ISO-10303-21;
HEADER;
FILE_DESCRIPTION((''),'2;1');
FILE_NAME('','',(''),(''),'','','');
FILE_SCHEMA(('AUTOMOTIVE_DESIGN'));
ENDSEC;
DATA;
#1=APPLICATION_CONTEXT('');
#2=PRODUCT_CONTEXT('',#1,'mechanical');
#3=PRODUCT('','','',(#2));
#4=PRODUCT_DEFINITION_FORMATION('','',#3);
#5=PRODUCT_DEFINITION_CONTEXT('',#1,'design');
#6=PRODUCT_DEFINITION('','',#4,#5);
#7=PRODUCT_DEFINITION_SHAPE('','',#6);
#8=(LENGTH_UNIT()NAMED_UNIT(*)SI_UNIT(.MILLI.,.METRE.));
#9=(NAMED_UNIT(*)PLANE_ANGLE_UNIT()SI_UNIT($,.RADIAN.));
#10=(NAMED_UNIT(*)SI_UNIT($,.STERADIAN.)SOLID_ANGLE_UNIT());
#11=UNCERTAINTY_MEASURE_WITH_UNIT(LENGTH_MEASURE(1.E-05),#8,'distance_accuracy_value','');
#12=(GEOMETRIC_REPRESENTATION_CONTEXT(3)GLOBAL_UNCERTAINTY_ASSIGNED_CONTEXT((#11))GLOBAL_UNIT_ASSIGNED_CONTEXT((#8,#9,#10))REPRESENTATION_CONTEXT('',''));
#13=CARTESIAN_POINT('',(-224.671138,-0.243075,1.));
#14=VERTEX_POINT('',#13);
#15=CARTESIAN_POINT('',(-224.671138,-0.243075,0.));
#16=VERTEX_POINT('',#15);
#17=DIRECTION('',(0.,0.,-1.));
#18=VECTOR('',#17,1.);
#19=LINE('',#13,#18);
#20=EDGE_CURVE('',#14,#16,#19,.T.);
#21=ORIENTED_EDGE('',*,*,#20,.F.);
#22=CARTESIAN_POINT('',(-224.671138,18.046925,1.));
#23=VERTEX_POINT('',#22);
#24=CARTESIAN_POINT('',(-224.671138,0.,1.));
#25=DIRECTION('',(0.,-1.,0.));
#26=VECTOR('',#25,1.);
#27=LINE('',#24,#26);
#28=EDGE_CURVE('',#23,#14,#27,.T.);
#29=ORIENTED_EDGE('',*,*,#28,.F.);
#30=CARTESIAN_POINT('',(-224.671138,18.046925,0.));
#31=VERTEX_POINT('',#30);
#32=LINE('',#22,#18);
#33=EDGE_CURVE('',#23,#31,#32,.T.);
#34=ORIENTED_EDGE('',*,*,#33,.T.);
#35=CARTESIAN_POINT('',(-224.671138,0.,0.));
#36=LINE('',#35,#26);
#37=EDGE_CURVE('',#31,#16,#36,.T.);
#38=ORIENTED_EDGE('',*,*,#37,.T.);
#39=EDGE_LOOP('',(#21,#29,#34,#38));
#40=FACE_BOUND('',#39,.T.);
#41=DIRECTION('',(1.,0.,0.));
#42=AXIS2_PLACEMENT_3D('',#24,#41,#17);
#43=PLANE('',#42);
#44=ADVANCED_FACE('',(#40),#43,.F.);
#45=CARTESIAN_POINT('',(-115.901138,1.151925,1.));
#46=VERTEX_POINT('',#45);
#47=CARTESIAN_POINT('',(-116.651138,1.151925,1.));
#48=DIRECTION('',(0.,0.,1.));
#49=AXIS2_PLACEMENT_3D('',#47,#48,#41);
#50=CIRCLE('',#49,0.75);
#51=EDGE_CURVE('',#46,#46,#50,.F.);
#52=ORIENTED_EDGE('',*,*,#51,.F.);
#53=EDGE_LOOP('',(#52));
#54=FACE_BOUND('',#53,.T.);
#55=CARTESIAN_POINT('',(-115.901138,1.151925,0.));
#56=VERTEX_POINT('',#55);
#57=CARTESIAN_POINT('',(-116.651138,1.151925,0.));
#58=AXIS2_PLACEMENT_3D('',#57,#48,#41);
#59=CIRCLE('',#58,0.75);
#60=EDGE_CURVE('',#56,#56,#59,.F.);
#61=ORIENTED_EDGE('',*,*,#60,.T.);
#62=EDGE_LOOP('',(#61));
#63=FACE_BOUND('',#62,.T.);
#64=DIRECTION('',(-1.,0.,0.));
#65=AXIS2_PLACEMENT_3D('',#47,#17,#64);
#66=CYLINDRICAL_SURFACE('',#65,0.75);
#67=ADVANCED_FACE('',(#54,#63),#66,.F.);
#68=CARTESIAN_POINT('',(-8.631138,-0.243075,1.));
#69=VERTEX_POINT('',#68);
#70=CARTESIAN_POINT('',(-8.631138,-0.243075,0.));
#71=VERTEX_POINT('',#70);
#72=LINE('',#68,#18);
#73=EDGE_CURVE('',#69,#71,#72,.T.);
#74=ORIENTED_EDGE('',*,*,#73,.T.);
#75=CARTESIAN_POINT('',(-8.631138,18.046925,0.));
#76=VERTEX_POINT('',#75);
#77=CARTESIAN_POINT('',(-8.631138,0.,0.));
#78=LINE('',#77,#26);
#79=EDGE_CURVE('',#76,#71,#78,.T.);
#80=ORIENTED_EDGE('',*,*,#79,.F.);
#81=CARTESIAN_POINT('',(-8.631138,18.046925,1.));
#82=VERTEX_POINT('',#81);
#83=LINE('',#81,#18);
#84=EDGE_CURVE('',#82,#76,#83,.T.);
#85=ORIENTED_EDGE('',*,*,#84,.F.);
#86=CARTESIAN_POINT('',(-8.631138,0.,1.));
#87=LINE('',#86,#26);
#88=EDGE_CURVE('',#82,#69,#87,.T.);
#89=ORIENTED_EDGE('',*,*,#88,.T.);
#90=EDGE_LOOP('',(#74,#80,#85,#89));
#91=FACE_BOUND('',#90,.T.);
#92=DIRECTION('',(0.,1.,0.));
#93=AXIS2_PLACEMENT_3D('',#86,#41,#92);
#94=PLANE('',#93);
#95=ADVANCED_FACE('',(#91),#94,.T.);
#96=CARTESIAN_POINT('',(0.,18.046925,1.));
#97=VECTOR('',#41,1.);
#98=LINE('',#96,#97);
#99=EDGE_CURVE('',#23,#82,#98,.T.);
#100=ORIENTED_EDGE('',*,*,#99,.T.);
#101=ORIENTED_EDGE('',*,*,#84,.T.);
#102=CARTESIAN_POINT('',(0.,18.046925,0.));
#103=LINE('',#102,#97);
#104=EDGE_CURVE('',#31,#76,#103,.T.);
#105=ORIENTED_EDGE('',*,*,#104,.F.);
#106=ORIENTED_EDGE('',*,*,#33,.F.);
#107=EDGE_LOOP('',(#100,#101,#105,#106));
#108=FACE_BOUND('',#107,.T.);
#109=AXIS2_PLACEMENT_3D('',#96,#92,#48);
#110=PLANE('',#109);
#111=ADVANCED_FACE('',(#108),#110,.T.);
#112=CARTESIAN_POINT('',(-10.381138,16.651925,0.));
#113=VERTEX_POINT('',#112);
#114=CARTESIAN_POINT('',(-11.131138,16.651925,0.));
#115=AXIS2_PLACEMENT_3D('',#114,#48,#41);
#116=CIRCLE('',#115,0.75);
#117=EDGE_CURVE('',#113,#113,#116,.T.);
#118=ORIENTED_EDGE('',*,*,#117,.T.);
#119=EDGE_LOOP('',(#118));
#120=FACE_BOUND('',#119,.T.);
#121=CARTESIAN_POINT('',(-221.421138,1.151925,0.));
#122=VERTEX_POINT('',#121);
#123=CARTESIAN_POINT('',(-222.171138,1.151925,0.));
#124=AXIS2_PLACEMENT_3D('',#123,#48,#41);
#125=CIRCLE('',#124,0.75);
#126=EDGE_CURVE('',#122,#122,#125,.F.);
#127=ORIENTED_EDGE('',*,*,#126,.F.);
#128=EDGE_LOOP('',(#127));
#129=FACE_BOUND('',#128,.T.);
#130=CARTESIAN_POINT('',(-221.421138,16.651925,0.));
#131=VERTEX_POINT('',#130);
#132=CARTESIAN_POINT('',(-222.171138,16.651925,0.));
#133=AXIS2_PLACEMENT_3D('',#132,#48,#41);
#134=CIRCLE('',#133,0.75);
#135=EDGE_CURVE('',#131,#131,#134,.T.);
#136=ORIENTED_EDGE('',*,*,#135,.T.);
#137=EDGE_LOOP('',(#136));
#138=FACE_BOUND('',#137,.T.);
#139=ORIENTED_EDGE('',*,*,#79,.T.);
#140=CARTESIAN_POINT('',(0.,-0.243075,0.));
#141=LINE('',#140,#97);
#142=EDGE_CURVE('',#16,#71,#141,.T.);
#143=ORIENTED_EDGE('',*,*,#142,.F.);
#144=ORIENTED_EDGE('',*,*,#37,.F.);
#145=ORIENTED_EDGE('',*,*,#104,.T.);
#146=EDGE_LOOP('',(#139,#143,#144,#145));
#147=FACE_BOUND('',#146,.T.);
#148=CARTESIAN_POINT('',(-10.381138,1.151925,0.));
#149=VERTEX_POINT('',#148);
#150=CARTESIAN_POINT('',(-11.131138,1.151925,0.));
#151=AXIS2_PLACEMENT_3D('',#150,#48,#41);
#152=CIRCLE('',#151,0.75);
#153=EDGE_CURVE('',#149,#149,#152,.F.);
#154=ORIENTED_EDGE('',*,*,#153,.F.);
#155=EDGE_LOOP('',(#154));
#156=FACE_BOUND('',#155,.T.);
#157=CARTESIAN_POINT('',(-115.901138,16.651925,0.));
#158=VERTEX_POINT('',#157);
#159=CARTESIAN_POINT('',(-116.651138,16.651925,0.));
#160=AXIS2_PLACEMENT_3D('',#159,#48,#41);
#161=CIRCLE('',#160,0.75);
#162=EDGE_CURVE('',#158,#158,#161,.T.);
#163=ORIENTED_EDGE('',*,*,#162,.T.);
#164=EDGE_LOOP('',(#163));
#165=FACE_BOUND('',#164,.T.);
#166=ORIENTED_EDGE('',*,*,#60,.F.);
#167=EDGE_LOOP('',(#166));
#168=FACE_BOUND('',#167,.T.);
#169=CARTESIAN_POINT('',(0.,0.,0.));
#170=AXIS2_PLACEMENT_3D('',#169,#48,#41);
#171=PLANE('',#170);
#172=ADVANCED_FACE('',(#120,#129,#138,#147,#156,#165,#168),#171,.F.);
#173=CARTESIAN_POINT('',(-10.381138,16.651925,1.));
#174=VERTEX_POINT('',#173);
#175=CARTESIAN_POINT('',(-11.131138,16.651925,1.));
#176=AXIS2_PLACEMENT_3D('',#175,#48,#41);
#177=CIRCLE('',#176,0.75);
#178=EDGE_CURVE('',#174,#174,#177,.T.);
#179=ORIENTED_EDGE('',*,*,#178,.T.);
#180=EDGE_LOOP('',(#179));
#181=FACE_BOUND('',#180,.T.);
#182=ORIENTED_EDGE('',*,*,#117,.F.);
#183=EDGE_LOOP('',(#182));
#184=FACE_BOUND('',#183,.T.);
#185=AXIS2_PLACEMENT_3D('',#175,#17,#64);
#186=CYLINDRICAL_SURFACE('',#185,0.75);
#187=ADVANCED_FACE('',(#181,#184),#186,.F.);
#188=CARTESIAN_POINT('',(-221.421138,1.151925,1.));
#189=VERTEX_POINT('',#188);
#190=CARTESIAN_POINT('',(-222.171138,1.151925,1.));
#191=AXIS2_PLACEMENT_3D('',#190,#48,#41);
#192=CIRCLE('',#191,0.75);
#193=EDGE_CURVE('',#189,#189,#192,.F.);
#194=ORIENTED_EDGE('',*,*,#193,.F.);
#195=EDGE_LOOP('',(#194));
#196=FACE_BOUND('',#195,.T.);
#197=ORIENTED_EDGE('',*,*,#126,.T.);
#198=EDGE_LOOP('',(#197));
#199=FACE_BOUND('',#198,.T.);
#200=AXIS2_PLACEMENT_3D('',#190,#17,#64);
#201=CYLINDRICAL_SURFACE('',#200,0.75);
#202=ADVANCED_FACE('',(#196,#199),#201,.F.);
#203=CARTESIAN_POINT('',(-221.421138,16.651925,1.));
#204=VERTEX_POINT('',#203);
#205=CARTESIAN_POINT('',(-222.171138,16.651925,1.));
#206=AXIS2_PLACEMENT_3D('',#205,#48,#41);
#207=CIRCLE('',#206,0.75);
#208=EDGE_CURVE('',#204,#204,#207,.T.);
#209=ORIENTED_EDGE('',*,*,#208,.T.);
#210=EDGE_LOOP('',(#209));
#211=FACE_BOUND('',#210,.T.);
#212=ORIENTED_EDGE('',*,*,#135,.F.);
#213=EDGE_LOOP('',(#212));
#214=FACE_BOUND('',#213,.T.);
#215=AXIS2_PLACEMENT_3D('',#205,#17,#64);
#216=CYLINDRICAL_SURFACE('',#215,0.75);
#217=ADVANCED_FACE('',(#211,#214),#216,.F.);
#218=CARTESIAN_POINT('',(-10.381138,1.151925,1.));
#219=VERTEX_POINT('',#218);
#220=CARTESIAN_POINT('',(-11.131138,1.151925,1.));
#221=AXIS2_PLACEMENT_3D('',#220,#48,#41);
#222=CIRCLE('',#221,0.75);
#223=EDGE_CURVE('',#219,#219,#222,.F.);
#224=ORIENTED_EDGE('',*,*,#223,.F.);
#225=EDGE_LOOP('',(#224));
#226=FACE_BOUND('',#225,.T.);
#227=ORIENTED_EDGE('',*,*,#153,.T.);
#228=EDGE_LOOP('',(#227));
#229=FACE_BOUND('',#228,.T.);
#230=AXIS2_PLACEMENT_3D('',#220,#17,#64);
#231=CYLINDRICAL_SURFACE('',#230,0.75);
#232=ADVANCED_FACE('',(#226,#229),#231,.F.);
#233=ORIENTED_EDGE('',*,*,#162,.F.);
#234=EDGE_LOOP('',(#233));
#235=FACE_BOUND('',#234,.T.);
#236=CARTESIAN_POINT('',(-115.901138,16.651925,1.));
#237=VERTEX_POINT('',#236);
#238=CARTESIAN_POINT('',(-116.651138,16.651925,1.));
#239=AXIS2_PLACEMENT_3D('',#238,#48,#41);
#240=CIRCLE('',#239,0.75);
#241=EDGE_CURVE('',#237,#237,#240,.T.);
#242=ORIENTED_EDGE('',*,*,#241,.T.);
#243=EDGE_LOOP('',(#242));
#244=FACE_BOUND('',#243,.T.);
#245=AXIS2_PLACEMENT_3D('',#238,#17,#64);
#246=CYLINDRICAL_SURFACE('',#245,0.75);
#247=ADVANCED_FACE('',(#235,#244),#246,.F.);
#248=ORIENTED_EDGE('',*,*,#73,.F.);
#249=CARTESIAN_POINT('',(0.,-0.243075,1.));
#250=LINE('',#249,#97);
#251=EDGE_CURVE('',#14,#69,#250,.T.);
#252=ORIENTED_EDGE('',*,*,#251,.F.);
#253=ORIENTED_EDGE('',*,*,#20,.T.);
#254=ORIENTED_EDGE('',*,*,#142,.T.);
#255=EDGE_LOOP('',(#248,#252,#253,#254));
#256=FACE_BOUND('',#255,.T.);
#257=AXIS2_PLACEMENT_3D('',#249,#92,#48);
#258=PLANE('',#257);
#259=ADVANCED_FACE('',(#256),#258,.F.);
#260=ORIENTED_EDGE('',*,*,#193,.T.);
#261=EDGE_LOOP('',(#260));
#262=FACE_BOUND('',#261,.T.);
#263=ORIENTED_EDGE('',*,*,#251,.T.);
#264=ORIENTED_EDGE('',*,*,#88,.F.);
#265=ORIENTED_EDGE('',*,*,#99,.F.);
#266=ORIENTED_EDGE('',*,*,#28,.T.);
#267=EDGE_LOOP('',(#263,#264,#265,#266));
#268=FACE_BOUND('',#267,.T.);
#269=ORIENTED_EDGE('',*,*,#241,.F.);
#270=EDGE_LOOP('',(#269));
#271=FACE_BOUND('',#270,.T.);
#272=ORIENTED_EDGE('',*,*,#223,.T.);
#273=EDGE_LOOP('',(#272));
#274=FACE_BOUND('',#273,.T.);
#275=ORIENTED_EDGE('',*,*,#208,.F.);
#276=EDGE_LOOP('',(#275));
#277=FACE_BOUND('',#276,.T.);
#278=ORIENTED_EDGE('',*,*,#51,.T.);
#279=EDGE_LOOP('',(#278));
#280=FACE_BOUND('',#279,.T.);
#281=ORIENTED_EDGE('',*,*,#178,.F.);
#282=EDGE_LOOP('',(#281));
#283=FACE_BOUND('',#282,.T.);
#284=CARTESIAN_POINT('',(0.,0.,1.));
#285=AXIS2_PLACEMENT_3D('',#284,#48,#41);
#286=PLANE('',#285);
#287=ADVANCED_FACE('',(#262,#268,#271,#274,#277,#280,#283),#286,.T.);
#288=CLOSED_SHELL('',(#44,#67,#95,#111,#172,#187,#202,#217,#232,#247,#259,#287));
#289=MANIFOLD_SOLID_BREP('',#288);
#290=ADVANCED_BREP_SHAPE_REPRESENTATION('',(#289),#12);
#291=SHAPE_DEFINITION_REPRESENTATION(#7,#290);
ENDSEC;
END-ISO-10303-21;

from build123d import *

# Parameters (mm, degrees)
SKETCH1_W           = 216.04
SKETCH1_H           = 6.355
SKETCH1_H_2         = 2.79
SKETCH1_R           = 0.75
BOSS_EXTRUDE1_DEPTH = 1


with BuildPart() as part:
    # Sketch1 → Boss-Extrude1 (new body)
    with BuildSketch(Plane.XY):
        with Locations((-116.651138015, 12.079424939)):
            Rectangle(SKETCH1_W, SKETCH1_H)
        with Locations((-116.651138015, 16.651924939)):
            Rectangle(SKETCH1_W, SKETCH1_H_2)
        with Locations((-222.171138015, 16.651924939)):
            Circle(SKETCH1_R, mode=Mode.SUBTRACT)
        with Locations((-116.651138015, 16.651924939)):
            Circle(SKETCH1_R, mode=Mode.SUBTRACT)
        with Locations((-11.131138015, 16.651924939)):
            Circle(SKETCH1_R, mode=Mode.SUBTRACT)
        with Locations((-116.651138015, 5.724424939)):
            Rectangle(SKETCH1_W, SKETCH1_H)
        with Locations((-116.651138015, 1.151924939)):
            Rectangle(SKETCH1_W, SKETCH1_H_2)
        with Locations((-222.171138015, 1.151924939)):
            Circle(SKETCH1_R, mode=Mode.SUBTRACT)
        with Locations((-116.651138015, 1.151924939)):
            Circle(SKETCH1_R, mode=Mode.SUBTRACT)
        with Locations((-11.131138015, 1.151924939)):
            Circle(SKETCH1_R, mode=Mode.SUBTRACT)
    extrude(amount=BOSS_EXTRUDE1_DEPTH)


solid = part.part
